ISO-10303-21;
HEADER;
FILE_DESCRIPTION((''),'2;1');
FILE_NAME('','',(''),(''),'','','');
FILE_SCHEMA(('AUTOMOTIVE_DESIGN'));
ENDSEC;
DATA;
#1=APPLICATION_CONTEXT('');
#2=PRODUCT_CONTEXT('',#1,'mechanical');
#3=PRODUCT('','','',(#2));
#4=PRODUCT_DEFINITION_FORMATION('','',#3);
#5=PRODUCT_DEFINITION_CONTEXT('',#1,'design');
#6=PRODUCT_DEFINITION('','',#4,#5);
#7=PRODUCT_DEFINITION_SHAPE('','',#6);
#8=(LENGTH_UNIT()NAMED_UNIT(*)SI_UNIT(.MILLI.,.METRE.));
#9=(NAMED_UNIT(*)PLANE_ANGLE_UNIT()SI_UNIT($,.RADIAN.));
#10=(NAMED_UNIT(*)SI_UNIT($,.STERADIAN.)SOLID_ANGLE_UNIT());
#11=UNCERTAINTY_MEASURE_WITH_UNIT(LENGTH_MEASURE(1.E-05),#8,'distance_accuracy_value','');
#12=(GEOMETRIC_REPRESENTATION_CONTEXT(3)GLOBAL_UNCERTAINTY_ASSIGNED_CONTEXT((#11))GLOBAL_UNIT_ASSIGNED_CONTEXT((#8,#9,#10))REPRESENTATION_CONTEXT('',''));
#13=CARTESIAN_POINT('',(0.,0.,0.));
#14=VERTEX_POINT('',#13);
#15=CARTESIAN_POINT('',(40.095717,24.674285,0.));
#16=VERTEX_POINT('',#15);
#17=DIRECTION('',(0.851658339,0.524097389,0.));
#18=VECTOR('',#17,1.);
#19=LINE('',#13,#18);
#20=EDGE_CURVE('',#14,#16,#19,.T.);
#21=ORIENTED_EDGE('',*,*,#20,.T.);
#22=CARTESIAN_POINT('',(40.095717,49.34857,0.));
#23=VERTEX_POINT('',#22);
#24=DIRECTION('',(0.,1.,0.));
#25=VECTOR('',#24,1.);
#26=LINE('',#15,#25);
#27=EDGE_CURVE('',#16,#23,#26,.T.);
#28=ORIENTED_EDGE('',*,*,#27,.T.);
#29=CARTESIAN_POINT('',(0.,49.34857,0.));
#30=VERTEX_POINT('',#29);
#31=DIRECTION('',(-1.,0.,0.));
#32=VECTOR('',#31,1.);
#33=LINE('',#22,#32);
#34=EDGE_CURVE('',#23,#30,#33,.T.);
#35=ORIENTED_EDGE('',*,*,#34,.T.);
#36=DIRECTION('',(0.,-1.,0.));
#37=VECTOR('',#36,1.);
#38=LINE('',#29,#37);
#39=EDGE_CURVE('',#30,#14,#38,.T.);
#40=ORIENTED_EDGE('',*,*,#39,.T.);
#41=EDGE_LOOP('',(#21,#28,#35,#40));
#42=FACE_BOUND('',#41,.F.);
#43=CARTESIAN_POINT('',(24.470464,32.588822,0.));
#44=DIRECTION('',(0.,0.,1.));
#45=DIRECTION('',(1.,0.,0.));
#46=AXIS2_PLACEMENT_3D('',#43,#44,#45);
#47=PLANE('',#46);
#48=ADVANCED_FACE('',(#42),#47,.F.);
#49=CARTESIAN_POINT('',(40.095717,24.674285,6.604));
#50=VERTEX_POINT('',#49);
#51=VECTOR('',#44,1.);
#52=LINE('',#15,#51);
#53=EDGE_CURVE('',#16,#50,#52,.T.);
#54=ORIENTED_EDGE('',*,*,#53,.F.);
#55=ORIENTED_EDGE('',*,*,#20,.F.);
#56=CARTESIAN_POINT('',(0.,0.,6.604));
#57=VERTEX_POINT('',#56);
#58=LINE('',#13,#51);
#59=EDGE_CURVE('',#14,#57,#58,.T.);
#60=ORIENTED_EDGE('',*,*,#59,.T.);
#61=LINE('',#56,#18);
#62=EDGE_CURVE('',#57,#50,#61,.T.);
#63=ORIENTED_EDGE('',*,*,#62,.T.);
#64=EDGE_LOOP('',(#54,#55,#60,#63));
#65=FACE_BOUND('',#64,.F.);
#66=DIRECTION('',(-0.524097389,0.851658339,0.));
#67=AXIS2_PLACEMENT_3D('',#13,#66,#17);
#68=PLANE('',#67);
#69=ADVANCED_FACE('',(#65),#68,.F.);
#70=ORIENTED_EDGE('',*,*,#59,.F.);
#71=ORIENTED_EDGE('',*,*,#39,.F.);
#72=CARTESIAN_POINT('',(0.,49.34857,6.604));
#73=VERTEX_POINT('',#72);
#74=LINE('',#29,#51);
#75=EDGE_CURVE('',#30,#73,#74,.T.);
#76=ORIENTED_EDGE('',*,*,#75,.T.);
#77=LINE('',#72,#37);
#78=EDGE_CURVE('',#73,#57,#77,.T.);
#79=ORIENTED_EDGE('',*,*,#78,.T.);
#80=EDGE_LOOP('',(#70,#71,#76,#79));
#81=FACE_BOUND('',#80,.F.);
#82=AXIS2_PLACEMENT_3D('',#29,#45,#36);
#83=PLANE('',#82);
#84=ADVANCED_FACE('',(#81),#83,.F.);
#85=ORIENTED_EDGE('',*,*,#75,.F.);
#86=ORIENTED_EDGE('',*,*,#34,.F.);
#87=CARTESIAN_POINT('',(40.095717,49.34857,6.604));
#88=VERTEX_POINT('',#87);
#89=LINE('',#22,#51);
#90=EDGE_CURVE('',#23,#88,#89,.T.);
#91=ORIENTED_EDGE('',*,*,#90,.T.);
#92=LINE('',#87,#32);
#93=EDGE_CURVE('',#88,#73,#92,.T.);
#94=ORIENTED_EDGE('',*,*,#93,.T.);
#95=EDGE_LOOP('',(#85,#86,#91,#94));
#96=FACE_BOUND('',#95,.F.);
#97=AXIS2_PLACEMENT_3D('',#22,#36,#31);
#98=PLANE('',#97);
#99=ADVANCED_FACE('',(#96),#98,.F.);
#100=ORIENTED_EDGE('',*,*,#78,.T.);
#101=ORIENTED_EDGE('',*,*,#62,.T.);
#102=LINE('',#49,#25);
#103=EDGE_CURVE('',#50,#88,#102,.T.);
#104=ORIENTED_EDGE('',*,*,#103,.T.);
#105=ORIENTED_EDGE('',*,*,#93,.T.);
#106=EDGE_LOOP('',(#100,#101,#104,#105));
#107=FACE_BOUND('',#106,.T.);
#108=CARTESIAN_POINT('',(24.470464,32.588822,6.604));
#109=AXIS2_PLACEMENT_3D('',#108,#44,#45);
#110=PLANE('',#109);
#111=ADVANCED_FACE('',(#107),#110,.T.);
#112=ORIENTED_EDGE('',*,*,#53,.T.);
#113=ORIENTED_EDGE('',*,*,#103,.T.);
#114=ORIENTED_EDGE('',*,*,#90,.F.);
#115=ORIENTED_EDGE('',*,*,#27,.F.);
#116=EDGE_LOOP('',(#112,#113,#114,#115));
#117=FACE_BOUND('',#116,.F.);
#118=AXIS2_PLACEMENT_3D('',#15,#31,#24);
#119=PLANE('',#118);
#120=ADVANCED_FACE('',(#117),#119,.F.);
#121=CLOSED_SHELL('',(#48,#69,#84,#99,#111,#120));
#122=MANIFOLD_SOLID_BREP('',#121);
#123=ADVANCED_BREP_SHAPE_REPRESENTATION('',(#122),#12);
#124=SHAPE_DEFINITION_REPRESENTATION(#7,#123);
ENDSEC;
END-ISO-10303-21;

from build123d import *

# Parameters (mm, degrees)
F1_DEPTH = 6.604


with BuildPart() as f1:
    # F0 (on Top) → F1 (new body)
    with BuildSketch(Plane.XY):
        Polygon((40.095717, 49.34857), (0, 24.674285), (40.095717, 24.674285), align=None)
        Polygon((0, 24.674285), (0, 0), (40.095717, 24.674285), align=None)
        Polygon((0, 49.34857), (0, 24.674285), (40.095717, 49.34857), align=None)
    extrude(amount=F1_DEPTH)


solid = f1.part
